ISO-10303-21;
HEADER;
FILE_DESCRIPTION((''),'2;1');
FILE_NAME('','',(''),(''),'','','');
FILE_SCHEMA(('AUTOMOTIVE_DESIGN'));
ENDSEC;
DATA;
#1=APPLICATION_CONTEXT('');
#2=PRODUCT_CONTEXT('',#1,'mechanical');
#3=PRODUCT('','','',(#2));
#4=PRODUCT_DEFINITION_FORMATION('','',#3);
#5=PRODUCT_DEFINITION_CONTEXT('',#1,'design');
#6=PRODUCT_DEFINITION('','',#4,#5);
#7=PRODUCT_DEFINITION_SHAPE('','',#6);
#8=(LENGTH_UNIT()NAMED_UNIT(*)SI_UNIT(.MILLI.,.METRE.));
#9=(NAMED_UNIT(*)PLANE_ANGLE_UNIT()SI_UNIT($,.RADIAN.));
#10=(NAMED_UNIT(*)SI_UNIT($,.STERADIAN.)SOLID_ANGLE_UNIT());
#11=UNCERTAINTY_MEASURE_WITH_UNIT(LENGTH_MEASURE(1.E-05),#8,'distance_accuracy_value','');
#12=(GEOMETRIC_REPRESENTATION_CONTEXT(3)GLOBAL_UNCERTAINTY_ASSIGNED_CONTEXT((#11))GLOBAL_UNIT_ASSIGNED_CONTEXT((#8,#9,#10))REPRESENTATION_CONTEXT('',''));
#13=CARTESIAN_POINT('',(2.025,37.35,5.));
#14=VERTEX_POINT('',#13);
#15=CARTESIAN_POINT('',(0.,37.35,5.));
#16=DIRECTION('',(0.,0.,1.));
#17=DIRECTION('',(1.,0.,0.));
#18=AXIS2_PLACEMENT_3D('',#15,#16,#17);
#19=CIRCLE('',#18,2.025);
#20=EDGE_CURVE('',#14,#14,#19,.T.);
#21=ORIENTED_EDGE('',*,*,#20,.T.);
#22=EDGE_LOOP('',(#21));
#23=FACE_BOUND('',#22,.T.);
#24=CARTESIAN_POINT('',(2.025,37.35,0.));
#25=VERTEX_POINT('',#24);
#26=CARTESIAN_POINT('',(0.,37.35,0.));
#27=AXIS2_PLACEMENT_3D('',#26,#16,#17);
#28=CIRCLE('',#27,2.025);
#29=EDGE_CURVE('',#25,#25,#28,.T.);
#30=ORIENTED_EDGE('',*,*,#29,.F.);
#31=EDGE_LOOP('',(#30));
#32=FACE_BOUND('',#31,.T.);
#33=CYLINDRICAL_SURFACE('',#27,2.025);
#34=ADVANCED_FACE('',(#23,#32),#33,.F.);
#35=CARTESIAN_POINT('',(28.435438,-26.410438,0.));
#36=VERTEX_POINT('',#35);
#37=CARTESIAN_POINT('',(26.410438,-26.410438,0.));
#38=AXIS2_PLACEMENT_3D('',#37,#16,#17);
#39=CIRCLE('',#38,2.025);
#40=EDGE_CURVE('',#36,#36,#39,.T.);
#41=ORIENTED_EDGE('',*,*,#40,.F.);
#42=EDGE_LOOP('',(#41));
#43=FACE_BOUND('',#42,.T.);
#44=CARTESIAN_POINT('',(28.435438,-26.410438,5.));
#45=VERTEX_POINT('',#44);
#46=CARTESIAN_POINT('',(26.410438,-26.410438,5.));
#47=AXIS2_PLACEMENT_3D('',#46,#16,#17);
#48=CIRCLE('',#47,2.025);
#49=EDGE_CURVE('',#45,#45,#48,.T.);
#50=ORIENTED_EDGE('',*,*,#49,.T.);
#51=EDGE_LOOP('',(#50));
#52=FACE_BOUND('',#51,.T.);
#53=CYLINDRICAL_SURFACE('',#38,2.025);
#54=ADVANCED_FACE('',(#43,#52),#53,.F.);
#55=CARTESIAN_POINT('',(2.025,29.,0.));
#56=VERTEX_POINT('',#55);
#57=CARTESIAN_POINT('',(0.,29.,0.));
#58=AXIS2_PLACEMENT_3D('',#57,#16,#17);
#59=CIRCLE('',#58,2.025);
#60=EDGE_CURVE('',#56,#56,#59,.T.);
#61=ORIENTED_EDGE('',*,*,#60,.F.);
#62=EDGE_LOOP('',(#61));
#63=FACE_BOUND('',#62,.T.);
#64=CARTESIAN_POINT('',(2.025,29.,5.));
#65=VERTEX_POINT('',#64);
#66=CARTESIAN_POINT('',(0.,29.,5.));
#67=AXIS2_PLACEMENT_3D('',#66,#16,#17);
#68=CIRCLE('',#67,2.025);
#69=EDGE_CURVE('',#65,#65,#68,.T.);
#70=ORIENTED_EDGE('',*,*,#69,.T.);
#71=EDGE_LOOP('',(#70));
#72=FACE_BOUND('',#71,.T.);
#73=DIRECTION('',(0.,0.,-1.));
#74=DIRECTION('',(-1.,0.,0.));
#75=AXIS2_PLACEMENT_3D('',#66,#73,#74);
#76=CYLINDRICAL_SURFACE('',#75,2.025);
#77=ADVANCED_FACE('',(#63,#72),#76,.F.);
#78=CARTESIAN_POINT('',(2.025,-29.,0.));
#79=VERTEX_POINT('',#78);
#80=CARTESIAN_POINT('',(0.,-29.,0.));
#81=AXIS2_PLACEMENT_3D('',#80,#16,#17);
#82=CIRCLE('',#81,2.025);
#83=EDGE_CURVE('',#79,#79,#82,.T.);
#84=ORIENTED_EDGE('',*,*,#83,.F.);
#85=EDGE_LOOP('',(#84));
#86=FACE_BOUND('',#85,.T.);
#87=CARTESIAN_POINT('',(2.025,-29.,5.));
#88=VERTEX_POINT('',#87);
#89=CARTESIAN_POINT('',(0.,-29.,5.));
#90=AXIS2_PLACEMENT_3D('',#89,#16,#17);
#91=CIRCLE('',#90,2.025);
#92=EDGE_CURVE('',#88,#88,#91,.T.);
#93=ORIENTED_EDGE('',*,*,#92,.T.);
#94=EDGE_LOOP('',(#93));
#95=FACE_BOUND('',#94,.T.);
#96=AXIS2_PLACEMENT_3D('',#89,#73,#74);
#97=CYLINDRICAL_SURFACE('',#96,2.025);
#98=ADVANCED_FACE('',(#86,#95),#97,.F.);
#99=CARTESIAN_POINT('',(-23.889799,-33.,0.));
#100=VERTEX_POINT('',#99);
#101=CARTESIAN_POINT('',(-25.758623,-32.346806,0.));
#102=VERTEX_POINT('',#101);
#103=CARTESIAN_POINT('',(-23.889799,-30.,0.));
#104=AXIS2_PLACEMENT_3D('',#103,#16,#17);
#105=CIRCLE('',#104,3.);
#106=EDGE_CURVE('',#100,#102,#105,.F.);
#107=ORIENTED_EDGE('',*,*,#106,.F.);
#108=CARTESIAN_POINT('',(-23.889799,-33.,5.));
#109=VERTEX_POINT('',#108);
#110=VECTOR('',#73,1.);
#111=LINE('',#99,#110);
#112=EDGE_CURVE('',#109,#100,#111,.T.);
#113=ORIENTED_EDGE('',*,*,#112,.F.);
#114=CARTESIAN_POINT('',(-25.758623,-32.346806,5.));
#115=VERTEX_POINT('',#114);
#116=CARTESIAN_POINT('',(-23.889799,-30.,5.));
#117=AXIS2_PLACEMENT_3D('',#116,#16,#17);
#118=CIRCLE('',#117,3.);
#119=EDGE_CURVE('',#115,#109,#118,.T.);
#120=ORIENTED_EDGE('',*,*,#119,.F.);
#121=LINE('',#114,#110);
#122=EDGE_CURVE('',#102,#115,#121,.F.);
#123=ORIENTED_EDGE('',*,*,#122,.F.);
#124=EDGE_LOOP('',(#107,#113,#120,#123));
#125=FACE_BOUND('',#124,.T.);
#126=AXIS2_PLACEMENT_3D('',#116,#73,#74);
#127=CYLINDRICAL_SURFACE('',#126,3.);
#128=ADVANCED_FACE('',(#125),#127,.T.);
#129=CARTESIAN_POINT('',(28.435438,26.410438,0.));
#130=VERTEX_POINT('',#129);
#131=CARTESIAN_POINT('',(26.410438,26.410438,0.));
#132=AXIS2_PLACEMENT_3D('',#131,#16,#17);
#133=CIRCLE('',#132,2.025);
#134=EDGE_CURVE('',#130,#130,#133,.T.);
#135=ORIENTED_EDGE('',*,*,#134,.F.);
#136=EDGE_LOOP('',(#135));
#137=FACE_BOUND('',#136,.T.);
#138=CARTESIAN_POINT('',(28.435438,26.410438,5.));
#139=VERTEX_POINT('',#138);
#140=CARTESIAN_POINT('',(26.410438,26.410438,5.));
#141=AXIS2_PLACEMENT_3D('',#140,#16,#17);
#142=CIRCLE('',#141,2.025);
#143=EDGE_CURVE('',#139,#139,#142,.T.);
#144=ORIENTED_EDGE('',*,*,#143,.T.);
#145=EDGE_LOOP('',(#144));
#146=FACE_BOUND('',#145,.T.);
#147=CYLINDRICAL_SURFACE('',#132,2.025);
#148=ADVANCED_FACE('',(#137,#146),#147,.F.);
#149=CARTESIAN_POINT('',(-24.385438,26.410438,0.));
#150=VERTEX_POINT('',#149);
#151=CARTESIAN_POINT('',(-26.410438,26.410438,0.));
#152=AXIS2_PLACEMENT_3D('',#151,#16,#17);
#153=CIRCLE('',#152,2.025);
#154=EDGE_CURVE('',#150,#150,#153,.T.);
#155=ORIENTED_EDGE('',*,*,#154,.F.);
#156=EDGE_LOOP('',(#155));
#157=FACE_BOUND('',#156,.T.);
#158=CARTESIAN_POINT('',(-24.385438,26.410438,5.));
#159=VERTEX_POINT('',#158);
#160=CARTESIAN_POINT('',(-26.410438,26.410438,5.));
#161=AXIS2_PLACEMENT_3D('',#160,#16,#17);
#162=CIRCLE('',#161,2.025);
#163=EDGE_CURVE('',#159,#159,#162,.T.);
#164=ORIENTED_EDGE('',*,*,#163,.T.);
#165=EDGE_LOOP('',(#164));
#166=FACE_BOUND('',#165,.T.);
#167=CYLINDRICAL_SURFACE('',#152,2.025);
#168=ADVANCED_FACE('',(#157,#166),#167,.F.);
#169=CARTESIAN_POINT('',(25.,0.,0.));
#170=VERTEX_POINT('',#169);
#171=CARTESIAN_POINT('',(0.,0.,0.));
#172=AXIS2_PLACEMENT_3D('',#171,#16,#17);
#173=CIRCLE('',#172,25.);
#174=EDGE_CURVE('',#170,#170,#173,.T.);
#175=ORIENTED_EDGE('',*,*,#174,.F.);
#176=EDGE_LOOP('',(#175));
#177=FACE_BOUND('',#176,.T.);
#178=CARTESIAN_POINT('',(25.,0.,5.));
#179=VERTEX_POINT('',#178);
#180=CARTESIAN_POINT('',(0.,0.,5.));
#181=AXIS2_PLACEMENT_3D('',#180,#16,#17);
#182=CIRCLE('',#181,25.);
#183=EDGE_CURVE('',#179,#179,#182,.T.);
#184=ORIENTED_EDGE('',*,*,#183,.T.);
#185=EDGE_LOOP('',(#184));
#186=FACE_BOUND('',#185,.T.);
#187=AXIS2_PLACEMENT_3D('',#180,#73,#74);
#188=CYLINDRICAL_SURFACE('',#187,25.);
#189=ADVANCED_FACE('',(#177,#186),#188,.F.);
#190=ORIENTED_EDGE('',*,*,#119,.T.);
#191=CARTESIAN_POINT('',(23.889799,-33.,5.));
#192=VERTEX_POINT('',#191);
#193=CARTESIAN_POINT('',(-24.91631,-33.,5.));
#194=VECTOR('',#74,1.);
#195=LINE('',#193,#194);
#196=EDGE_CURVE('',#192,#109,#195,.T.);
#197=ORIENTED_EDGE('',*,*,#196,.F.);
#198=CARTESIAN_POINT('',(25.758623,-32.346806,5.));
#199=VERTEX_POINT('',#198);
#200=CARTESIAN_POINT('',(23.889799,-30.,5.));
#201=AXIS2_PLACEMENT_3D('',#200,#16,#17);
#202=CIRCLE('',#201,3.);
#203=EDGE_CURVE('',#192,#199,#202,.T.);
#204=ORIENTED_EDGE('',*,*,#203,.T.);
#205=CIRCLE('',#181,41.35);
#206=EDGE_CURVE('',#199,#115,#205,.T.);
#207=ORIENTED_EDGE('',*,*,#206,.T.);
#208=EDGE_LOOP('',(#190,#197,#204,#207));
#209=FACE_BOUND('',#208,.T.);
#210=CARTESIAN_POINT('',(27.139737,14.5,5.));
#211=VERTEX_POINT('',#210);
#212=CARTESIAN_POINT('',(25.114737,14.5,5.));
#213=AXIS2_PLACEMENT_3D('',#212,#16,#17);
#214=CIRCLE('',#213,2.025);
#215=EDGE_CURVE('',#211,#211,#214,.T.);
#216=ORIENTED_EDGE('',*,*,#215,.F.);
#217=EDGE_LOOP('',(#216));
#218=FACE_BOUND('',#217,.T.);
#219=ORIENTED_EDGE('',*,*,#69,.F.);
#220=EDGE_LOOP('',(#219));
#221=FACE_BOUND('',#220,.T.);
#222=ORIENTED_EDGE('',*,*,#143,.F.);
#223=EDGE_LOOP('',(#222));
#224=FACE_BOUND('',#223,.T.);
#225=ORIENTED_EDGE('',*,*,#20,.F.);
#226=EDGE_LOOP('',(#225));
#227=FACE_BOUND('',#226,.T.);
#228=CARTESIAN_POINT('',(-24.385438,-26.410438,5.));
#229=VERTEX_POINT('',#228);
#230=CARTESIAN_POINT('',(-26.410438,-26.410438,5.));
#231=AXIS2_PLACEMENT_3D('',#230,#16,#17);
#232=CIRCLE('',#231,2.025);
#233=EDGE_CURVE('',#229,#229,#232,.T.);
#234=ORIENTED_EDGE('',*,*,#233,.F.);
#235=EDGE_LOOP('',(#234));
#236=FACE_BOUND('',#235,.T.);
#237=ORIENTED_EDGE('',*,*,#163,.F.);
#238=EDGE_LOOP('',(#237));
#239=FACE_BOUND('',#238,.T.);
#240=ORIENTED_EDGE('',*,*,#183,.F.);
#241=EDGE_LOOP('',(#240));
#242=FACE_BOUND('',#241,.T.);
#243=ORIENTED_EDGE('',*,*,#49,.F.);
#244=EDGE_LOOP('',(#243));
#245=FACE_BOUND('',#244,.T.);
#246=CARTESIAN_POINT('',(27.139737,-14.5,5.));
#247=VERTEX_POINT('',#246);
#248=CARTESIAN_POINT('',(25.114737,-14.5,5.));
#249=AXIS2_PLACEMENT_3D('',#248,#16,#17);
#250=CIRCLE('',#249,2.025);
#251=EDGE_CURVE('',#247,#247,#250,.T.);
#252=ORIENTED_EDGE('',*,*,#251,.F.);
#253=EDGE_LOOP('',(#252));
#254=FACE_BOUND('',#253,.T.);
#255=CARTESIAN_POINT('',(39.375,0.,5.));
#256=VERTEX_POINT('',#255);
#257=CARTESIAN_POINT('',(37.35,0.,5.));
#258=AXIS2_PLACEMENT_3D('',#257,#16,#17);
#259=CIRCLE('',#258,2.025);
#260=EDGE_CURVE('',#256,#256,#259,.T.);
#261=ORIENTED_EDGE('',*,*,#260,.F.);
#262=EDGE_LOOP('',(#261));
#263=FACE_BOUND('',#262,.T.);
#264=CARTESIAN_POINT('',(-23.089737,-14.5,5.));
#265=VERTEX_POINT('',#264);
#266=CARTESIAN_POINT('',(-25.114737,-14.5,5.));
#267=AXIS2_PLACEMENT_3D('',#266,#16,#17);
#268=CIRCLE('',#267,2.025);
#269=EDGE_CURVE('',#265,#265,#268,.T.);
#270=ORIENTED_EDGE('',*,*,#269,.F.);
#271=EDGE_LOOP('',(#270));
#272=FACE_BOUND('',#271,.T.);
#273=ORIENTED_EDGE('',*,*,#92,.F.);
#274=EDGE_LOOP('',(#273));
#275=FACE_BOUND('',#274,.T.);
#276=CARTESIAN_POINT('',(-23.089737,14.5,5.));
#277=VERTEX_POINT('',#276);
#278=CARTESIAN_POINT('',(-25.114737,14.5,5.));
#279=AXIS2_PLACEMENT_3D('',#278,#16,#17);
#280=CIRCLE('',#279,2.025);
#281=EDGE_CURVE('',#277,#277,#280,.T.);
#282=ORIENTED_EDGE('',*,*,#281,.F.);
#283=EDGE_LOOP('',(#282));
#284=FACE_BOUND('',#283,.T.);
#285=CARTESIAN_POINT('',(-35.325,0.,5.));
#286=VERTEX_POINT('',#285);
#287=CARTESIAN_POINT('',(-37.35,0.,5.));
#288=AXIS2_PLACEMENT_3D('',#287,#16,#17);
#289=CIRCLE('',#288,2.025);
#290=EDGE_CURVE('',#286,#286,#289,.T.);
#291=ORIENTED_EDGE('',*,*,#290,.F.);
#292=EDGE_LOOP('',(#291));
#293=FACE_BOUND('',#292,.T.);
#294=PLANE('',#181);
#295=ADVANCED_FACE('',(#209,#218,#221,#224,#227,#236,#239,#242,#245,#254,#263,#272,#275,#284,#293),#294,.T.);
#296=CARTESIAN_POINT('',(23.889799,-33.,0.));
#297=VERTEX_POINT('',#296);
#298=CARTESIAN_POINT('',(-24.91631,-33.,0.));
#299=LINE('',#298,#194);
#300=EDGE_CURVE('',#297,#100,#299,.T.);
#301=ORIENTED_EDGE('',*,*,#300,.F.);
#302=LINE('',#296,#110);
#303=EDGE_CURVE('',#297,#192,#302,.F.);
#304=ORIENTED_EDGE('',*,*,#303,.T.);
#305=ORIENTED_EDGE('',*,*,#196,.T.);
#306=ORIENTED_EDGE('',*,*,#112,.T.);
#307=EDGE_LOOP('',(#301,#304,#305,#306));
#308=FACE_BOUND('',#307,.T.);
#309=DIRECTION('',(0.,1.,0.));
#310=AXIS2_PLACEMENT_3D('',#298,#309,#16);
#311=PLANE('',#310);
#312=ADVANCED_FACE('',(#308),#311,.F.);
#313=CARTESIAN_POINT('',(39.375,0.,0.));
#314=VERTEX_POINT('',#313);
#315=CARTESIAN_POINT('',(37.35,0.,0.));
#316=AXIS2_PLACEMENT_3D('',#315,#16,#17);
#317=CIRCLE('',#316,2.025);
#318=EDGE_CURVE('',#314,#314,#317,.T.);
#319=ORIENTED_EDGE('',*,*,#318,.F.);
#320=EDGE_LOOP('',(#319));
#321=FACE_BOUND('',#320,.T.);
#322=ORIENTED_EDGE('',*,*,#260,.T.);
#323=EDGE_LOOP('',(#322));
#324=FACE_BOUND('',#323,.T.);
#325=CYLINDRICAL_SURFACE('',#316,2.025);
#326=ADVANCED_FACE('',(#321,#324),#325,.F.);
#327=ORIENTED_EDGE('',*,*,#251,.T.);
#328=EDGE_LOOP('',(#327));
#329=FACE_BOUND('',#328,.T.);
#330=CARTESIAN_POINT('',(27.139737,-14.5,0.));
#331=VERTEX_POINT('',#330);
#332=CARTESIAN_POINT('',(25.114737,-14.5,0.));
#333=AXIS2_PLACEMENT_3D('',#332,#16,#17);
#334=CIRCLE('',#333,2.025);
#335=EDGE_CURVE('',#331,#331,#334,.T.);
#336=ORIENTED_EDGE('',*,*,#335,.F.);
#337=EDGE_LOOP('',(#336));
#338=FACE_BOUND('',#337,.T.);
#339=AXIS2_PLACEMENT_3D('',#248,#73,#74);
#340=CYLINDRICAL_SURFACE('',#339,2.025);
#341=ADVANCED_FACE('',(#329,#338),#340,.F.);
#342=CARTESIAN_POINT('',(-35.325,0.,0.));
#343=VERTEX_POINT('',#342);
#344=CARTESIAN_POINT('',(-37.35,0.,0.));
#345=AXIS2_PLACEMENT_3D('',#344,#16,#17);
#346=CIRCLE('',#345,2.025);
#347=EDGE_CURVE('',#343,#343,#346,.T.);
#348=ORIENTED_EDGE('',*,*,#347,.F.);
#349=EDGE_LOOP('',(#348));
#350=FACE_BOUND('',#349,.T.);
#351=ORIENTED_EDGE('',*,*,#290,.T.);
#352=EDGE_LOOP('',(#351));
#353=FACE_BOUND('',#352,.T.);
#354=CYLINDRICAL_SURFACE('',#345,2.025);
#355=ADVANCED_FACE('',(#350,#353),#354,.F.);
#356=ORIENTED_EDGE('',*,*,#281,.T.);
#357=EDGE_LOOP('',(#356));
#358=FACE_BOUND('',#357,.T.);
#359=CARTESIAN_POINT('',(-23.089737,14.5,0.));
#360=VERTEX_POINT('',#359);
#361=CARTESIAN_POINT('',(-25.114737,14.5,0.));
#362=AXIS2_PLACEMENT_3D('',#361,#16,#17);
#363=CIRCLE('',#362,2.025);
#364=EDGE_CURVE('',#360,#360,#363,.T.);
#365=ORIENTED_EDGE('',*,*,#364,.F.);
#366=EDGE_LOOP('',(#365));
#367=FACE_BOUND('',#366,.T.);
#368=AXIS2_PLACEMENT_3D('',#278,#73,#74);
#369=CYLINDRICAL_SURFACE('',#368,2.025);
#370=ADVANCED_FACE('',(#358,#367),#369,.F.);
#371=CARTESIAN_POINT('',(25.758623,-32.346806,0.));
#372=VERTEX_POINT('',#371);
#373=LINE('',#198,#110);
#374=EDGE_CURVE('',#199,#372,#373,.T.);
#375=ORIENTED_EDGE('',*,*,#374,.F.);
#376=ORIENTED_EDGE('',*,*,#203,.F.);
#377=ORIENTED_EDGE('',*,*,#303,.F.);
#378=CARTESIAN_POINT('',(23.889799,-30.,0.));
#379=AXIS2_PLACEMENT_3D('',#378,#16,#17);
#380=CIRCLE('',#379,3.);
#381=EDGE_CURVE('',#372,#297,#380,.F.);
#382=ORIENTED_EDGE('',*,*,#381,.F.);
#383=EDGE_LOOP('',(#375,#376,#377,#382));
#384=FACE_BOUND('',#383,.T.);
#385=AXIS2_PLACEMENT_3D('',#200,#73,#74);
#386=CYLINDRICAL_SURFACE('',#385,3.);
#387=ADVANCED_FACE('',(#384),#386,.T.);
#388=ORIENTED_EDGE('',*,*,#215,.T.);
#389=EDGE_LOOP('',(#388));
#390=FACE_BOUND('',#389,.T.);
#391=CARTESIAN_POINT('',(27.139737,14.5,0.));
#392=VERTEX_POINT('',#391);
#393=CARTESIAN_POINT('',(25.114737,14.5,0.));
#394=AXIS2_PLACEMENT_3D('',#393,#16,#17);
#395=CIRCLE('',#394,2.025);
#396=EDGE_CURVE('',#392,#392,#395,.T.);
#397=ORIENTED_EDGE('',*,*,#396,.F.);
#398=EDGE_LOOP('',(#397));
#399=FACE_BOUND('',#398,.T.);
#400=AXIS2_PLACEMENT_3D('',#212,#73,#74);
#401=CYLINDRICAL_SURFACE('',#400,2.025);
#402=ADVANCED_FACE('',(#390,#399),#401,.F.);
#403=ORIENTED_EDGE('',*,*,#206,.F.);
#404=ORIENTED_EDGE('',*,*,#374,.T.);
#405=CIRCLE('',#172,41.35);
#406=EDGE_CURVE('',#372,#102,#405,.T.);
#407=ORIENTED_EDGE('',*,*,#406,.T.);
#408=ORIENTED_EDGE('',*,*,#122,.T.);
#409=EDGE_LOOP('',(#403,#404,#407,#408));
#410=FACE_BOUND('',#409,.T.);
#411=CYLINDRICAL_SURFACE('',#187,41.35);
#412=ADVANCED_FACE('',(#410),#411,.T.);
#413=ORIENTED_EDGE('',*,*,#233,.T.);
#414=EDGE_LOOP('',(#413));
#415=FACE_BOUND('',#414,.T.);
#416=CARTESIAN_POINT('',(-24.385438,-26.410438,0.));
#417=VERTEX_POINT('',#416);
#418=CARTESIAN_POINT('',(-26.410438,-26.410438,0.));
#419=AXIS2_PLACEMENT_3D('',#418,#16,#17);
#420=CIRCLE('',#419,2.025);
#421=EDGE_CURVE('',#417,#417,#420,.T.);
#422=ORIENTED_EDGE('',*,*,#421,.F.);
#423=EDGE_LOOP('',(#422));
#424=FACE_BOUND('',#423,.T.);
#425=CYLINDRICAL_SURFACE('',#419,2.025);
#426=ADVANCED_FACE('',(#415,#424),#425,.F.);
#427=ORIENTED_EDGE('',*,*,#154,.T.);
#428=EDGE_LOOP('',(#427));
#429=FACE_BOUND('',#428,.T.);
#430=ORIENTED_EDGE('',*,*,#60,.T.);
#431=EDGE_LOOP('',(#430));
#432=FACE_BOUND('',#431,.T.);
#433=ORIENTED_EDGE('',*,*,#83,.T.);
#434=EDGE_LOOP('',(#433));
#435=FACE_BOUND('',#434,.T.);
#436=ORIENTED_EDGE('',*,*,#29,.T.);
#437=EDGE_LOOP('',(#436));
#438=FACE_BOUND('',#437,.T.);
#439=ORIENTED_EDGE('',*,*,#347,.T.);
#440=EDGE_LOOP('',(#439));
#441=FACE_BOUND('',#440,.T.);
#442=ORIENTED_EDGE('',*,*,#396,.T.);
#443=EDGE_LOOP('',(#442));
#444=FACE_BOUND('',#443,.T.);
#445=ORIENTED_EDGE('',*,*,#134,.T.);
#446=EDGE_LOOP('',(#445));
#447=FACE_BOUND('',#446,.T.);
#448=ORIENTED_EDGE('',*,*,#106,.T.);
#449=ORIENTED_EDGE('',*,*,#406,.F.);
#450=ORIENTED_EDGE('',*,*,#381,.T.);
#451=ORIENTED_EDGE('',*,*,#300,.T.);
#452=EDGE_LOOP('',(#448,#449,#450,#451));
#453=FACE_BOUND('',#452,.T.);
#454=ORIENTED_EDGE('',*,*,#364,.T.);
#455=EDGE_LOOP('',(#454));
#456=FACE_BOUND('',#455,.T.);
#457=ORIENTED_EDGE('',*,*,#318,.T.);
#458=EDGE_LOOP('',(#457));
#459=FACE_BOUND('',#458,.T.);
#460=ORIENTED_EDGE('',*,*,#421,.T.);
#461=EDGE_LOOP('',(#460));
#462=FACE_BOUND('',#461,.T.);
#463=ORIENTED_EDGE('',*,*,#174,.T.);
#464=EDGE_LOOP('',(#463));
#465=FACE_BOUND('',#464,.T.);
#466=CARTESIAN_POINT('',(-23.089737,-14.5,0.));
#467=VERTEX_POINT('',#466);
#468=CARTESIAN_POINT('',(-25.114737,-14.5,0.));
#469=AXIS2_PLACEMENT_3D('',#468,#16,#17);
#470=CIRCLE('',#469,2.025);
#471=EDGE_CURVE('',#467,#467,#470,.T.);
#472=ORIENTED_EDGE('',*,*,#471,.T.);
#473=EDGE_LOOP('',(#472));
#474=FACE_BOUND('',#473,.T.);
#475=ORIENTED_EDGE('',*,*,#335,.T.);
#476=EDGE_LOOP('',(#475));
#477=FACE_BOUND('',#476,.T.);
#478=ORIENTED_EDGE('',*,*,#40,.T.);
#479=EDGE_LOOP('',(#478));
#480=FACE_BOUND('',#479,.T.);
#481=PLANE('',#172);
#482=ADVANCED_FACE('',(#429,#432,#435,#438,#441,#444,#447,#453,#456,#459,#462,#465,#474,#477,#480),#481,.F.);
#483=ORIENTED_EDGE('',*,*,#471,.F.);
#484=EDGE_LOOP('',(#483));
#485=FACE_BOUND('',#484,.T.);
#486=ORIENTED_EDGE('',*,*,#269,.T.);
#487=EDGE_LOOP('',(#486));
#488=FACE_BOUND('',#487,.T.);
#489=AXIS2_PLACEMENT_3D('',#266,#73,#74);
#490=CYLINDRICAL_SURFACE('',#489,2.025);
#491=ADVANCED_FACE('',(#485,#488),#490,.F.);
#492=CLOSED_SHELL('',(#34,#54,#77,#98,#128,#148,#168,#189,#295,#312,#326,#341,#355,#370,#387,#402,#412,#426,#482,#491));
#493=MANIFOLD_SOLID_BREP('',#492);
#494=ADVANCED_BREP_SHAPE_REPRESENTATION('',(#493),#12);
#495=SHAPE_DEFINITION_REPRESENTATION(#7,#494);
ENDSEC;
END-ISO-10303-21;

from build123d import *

# Parameters (mm, degrees)
SKETCH_1_R          = 41.35
SKETCH_1_R_2        = 2.025
SKETCH_1_R_3        = 25
EXTRUDE_1_DEPTH     = 5
SKETCH_2_R          = 2.025
CUT_EXTRUDE_1_DEPTH = 5
CUT_EXTRUDE_START   = -5
CUT_EXTRUDE_2_DEPTH = 5
FILLET_1_R          = 3


with BuildPart() as part:
    # 草图1 → 凸台-拉伸1 (new body)
    with BuildSketch(Plane.XY):
        Circle(SKETCH_1_R)
        with Locations((0, 29)):
            Circle(SKETCH_1_R_2, mode=Mode.SUBTRACT)
        with Locations((25.11473671, 14.5)):
            Circle(SKETCH_1_R_2, mode=Mode.SUBTRACT)
        with Locations((25.11473671, -14.5)):
            Circle(SKETCH_1_R_2, mode=Mode.SUBTRACT)
        with Locations((0, -29)):
            Circle(SKETCH_1_R_2, mode=Mode.SUBTRACT)
        with Locations((-25.11473671, -14.5)):
            Circle(SKETCH_1_R_2, mode=Mode.SUBTRACT)
        with Locations((-25.11473671, 14.5)):
            Circle(SKETCH_1_R_2, mode=Mode.SUBTRACT)
        Circle(SKETCH_1_R_3, mode=Mode.SUBTRACT)
    extrude(amount=EXTRUDE_1_DEPTH)

    # 草图2 → 切除-拉伸1 (cut)
    with BuildSketch(Plane.XY.offset(5)):
        with Locations((0, 37.35)):
            Circle(SKETCH_2_R)
        with Locations((26.410438277, 26.410438277)):
            Circle(SKETCH_2_R)
        with Locations((37.35, 0)):
            Circle(SKETCH_2_R)
        with Locations((26.410438277, -26.410438277)):
            Circle(SKETCH_2_R)
        with Locations((0, -37.35)):
            Circle(SKETCH_2_R)
        with Locations((-26.410438277, -26.410438277)):
            Circle(SKETCH_2_R)
        with Locations((-37.35, 0)):
            Circle(SKETCH_2_R)
        with Locations((-26.410438277, 26.410438277)):
            Circle(SKETCH_2_R)
    extrude(amount=-CUT_EXTRUDE_1_DEPTH, mode=Mode.SUBTRACT)

    # 草图3 → 切除-拉伸2 (cut)
    with BuildSketch(Plane.XY.offset(5).offset(CUT_EXTRUDE_START)):
        with BuildLine():
            Line((-24.916309919, -33), (24.916309919, -33))
            ThreePointArc((24.916309919, -33), (0, -41.35), (-24.916309919, -33))
        make_face()
    extrude(amount=CUT_EXTRUDE_2_DEPTH, mode=Mode.SUBTRACT)

    # 圆角1
    fillet_1_edges = [part.edges().sort_by_distance(p)[0] for p in [
        (24.916309919, -33, 2.5),
        (-24.916309919, -33, 2.5),
    ]]
    fillet(fillet_1_edges, radius=FILLET_1_R)


solid = part.part
